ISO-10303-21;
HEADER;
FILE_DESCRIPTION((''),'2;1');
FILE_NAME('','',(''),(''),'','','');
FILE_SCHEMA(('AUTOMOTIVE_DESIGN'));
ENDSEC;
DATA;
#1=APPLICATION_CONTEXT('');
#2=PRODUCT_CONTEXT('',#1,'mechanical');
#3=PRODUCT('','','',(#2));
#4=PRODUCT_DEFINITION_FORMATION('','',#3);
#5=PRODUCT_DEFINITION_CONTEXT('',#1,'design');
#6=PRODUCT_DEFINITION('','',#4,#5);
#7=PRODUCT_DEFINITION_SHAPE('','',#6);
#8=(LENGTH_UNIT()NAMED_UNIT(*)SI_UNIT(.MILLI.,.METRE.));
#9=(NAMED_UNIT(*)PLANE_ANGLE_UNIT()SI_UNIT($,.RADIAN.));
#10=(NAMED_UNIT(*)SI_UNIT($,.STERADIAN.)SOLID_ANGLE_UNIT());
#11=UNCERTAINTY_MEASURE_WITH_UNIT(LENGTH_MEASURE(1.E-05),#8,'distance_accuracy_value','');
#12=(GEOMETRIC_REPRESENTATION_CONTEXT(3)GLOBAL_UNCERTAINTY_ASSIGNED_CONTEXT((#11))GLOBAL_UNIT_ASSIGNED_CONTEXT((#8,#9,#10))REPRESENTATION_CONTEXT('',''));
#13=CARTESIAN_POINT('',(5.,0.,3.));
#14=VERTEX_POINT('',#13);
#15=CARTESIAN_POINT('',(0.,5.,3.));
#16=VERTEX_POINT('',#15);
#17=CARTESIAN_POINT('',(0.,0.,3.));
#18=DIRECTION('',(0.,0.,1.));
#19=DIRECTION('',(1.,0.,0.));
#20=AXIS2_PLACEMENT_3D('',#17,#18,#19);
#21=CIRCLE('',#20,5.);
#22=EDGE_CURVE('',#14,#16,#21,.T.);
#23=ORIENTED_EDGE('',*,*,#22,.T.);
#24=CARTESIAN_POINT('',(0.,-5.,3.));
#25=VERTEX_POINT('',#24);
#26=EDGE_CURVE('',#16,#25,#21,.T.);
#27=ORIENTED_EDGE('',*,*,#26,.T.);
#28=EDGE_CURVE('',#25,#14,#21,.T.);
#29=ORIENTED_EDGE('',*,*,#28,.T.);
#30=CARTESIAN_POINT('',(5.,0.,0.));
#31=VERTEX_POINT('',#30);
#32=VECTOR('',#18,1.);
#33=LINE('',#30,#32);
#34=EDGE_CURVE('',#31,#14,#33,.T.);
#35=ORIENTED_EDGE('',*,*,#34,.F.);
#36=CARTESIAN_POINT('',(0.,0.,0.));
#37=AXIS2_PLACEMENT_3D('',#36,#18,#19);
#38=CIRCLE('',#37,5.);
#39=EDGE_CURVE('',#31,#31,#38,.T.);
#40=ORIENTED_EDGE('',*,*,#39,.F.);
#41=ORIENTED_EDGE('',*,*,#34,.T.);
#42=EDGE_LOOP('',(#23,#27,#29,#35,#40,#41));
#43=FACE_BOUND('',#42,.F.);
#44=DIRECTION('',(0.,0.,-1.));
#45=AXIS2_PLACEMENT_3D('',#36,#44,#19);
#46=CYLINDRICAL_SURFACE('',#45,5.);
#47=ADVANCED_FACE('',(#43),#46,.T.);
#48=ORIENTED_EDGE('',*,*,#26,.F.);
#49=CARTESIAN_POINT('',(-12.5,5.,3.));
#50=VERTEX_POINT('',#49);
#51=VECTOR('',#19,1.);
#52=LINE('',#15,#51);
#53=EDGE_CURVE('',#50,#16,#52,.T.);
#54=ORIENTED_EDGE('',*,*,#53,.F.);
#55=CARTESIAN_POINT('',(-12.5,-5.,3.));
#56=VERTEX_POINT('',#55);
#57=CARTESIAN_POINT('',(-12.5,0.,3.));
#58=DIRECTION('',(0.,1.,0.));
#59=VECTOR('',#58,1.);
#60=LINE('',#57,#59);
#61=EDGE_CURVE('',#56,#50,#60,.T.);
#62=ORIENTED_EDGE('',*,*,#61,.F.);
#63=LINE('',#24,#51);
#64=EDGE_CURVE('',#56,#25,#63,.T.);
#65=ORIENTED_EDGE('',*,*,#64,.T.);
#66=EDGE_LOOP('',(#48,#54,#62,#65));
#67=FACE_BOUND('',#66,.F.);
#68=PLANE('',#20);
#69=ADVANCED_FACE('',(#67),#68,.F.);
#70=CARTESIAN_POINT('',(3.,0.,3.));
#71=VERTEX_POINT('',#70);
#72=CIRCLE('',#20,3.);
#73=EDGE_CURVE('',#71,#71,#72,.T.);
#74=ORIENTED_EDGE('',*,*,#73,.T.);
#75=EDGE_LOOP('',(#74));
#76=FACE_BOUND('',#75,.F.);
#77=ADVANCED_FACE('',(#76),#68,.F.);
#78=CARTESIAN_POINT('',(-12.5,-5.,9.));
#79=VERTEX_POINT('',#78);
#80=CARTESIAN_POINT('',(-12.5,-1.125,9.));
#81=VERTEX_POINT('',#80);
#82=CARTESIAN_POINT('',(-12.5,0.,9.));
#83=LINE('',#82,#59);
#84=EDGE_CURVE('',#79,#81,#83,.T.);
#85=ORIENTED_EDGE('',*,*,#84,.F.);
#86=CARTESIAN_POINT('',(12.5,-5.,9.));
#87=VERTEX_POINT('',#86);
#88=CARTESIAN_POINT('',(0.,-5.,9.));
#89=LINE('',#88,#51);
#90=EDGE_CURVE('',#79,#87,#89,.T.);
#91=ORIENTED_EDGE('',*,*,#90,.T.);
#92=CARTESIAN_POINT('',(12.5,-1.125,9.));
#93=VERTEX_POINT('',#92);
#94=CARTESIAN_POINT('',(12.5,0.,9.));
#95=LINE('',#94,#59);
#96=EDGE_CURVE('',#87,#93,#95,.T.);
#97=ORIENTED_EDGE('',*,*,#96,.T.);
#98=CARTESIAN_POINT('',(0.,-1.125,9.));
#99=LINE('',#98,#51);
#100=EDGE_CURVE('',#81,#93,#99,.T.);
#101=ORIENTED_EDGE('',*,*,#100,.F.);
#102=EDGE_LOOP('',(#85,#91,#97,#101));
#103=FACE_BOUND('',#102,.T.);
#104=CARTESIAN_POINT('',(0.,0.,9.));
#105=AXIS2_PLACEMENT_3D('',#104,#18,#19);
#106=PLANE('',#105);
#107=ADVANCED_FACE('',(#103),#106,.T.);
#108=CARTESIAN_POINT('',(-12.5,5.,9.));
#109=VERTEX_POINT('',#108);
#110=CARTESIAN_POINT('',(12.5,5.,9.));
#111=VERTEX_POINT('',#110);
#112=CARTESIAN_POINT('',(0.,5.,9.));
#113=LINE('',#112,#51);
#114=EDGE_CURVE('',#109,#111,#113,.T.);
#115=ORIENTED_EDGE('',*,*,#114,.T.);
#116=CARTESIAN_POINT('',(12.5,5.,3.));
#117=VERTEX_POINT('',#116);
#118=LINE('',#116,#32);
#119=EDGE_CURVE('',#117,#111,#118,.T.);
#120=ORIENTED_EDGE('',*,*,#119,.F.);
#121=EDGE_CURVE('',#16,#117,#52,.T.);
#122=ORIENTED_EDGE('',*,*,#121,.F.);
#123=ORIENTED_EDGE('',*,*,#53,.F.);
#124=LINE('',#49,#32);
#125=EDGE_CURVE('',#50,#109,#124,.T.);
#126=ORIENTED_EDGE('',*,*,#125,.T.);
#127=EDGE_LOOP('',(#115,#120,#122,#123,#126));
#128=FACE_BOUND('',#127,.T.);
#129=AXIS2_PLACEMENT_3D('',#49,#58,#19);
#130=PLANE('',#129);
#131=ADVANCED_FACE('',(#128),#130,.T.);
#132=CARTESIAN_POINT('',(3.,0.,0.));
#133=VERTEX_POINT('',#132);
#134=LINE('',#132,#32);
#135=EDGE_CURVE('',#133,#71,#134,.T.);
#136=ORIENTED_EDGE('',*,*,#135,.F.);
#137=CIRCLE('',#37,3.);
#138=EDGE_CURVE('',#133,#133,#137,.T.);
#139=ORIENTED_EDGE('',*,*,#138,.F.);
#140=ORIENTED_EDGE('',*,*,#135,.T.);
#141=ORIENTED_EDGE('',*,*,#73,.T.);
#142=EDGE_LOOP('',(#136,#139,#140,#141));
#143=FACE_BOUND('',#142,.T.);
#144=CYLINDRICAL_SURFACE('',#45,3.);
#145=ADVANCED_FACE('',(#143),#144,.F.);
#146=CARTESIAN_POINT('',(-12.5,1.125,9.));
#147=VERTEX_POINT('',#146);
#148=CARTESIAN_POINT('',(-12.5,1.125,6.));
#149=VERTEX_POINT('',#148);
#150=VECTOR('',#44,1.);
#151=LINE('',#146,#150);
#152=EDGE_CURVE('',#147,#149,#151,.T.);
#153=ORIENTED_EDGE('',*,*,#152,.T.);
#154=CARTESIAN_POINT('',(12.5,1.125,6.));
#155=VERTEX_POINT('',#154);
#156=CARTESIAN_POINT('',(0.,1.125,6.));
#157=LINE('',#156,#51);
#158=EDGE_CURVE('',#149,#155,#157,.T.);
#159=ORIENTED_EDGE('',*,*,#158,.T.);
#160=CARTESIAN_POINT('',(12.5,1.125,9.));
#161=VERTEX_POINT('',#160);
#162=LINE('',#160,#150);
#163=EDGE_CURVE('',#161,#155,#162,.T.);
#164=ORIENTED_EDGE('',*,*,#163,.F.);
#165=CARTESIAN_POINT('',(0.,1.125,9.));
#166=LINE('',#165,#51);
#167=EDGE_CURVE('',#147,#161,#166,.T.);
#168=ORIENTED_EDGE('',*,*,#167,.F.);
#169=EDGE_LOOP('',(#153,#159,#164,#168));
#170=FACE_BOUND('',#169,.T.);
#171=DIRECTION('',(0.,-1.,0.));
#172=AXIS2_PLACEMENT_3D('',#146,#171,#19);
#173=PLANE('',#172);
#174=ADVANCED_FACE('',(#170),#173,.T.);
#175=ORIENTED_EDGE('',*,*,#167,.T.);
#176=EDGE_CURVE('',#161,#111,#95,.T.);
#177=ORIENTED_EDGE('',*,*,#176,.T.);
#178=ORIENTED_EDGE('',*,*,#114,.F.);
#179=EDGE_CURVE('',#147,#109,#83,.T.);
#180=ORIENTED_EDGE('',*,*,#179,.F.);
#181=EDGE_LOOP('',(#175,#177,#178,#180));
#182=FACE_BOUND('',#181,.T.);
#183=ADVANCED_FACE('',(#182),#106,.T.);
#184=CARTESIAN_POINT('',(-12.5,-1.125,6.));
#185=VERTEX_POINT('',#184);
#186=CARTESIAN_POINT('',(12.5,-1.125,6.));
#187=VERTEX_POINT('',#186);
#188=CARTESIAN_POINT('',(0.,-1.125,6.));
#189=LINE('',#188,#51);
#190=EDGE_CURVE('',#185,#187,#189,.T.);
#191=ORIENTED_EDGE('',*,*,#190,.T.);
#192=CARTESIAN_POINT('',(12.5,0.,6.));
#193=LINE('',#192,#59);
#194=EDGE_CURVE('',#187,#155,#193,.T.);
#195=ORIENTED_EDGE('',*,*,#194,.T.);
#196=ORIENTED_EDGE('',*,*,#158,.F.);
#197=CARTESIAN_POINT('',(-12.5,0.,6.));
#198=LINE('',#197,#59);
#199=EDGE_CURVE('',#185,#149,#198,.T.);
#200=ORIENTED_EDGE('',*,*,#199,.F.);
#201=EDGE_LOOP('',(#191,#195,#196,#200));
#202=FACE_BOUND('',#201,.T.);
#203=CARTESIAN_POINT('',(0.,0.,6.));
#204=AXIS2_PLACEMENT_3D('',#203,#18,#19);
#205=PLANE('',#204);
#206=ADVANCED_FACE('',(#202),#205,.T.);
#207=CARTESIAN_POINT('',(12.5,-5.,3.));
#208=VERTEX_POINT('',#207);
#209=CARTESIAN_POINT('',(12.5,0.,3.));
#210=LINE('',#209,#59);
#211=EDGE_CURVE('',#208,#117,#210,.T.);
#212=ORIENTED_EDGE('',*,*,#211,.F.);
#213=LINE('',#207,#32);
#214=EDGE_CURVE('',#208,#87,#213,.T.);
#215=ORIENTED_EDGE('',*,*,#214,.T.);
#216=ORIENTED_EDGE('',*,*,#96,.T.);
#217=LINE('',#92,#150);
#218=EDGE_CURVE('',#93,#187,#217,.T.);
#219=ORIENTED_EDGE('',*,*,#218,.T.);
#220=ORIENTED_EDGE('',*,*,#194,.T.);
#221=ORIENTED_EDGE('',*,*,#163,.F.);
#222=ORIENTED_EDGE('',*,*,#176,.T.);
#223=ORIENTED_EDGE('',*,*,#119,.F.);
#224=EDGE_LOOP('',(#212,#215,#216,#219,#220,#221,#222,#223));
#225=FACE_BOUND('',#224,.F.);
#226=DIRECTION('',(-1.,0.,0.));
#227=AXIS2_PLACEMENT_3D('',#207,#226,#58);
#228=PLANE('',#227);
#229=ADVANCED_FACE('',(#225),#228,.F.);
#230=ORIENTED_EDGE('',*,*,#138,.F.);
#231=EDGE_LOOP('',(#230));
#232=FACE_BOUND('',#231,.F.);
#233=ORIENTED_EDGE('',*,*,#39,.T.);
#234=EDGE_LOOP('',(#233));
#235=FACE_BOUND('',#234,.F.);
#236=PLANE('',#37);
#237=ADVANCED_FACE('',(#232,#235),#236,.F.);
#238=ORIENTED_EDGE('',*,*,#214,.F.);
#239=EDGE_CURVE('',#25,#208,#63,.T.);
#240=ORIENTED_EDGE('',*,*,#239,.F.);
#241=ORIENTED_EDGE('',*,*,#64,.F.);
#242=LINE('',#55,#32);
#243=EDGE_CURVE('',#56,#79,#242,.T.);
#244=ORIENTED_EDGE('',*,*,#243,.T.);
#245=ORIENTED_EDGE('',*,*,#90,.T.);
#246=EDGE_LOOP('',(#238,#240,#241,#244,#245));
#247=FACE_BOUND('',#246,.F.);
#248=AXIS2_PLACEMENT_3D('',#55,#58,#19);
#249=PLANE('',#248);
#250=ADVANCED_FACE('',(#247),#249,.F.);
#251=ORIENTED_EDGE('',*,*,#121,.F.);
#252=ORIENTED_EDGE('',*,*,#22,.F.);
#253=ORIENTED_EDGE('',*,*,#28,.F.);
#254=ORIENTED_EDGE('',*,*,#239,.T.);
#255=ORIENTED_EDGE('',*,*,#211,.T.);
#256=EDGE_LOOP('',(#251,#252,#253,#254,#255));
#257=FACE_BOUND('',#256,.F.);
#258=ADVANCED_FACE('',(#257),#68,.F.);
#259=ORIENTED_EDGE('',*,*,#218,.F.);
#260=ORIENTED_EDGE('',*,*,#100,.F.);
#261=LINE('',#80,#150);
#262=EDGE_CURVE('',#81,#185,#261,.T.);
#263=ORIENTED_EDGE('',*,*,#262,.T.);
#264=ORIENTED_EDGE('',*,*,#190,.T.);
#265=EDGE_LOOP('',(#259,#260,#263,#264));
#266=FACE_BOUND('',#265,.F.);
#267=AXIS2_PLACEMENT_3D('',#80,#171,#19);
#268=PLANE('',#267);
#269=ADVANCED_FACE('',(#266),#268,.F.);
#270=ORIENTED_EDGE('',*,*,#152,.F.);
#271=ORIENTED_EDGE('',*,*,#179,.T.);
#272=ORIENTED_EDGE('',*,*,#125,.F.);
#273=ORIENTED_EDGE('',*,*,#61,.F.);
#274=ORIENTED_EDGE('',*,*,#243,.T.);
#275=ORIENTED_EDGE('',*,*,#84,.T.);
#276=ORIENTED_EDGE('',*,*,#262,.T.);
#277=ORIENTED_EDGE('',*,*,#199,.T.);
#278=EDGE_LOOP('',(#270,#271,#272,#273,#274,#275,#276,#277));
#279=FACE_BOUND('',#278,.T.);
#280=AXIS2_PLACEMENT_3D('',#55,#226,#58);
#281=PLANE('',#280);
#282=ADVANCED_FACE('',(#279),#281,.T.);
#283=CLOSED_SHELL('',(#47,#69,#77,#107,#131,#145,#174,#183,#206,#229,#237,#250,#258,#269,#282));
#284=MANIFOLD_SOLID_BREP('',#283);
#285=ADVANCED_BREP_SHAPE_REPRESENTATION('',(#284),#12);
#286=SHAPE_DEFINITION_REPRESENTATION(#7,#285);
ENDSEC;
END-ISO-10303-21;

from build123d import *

# Parameters (mm, degrees)
F0_R     = 5
F1_DEPTH = 3
F2_R     = 3
F3_DEPTH = 3
F4_W     = 25
F4_H     = 10
F5_DEPTH = 6
F6_W     = 25
F6_H     = 2.25
F7_DEPTH = 3


with BuildPart() as f1:
    # F0 (on Top) → F1 (new body)
    with BuildSketch(Plane.XY):
        Circle(F0_R)
    extrude(amount=F1_DEPTH)

    # F2 (on Top) → F3 (cut)
    with BuildSketch(Plane.XY):
        Circle(F2_R)
    extrude(amount=F3_DEPTH, mode=Mode.SUBTRACT)

    # F4 (on face) → F5 (join)
    with BuildSketch(Plane.XY.offset(3)):
        Rectangle(F4_W, F4_H)
    extrude(amount=F5_DEPTH)

    # F6 (on face) → F7 (cut)
    with BuildSketch(Plane.XY.offset(9)):
        Rectangle(F6_W, F6_H)
    extrude(amount=-F7_DEPTH, mode=Mode.SUBTRACT)


solid = f1.part
